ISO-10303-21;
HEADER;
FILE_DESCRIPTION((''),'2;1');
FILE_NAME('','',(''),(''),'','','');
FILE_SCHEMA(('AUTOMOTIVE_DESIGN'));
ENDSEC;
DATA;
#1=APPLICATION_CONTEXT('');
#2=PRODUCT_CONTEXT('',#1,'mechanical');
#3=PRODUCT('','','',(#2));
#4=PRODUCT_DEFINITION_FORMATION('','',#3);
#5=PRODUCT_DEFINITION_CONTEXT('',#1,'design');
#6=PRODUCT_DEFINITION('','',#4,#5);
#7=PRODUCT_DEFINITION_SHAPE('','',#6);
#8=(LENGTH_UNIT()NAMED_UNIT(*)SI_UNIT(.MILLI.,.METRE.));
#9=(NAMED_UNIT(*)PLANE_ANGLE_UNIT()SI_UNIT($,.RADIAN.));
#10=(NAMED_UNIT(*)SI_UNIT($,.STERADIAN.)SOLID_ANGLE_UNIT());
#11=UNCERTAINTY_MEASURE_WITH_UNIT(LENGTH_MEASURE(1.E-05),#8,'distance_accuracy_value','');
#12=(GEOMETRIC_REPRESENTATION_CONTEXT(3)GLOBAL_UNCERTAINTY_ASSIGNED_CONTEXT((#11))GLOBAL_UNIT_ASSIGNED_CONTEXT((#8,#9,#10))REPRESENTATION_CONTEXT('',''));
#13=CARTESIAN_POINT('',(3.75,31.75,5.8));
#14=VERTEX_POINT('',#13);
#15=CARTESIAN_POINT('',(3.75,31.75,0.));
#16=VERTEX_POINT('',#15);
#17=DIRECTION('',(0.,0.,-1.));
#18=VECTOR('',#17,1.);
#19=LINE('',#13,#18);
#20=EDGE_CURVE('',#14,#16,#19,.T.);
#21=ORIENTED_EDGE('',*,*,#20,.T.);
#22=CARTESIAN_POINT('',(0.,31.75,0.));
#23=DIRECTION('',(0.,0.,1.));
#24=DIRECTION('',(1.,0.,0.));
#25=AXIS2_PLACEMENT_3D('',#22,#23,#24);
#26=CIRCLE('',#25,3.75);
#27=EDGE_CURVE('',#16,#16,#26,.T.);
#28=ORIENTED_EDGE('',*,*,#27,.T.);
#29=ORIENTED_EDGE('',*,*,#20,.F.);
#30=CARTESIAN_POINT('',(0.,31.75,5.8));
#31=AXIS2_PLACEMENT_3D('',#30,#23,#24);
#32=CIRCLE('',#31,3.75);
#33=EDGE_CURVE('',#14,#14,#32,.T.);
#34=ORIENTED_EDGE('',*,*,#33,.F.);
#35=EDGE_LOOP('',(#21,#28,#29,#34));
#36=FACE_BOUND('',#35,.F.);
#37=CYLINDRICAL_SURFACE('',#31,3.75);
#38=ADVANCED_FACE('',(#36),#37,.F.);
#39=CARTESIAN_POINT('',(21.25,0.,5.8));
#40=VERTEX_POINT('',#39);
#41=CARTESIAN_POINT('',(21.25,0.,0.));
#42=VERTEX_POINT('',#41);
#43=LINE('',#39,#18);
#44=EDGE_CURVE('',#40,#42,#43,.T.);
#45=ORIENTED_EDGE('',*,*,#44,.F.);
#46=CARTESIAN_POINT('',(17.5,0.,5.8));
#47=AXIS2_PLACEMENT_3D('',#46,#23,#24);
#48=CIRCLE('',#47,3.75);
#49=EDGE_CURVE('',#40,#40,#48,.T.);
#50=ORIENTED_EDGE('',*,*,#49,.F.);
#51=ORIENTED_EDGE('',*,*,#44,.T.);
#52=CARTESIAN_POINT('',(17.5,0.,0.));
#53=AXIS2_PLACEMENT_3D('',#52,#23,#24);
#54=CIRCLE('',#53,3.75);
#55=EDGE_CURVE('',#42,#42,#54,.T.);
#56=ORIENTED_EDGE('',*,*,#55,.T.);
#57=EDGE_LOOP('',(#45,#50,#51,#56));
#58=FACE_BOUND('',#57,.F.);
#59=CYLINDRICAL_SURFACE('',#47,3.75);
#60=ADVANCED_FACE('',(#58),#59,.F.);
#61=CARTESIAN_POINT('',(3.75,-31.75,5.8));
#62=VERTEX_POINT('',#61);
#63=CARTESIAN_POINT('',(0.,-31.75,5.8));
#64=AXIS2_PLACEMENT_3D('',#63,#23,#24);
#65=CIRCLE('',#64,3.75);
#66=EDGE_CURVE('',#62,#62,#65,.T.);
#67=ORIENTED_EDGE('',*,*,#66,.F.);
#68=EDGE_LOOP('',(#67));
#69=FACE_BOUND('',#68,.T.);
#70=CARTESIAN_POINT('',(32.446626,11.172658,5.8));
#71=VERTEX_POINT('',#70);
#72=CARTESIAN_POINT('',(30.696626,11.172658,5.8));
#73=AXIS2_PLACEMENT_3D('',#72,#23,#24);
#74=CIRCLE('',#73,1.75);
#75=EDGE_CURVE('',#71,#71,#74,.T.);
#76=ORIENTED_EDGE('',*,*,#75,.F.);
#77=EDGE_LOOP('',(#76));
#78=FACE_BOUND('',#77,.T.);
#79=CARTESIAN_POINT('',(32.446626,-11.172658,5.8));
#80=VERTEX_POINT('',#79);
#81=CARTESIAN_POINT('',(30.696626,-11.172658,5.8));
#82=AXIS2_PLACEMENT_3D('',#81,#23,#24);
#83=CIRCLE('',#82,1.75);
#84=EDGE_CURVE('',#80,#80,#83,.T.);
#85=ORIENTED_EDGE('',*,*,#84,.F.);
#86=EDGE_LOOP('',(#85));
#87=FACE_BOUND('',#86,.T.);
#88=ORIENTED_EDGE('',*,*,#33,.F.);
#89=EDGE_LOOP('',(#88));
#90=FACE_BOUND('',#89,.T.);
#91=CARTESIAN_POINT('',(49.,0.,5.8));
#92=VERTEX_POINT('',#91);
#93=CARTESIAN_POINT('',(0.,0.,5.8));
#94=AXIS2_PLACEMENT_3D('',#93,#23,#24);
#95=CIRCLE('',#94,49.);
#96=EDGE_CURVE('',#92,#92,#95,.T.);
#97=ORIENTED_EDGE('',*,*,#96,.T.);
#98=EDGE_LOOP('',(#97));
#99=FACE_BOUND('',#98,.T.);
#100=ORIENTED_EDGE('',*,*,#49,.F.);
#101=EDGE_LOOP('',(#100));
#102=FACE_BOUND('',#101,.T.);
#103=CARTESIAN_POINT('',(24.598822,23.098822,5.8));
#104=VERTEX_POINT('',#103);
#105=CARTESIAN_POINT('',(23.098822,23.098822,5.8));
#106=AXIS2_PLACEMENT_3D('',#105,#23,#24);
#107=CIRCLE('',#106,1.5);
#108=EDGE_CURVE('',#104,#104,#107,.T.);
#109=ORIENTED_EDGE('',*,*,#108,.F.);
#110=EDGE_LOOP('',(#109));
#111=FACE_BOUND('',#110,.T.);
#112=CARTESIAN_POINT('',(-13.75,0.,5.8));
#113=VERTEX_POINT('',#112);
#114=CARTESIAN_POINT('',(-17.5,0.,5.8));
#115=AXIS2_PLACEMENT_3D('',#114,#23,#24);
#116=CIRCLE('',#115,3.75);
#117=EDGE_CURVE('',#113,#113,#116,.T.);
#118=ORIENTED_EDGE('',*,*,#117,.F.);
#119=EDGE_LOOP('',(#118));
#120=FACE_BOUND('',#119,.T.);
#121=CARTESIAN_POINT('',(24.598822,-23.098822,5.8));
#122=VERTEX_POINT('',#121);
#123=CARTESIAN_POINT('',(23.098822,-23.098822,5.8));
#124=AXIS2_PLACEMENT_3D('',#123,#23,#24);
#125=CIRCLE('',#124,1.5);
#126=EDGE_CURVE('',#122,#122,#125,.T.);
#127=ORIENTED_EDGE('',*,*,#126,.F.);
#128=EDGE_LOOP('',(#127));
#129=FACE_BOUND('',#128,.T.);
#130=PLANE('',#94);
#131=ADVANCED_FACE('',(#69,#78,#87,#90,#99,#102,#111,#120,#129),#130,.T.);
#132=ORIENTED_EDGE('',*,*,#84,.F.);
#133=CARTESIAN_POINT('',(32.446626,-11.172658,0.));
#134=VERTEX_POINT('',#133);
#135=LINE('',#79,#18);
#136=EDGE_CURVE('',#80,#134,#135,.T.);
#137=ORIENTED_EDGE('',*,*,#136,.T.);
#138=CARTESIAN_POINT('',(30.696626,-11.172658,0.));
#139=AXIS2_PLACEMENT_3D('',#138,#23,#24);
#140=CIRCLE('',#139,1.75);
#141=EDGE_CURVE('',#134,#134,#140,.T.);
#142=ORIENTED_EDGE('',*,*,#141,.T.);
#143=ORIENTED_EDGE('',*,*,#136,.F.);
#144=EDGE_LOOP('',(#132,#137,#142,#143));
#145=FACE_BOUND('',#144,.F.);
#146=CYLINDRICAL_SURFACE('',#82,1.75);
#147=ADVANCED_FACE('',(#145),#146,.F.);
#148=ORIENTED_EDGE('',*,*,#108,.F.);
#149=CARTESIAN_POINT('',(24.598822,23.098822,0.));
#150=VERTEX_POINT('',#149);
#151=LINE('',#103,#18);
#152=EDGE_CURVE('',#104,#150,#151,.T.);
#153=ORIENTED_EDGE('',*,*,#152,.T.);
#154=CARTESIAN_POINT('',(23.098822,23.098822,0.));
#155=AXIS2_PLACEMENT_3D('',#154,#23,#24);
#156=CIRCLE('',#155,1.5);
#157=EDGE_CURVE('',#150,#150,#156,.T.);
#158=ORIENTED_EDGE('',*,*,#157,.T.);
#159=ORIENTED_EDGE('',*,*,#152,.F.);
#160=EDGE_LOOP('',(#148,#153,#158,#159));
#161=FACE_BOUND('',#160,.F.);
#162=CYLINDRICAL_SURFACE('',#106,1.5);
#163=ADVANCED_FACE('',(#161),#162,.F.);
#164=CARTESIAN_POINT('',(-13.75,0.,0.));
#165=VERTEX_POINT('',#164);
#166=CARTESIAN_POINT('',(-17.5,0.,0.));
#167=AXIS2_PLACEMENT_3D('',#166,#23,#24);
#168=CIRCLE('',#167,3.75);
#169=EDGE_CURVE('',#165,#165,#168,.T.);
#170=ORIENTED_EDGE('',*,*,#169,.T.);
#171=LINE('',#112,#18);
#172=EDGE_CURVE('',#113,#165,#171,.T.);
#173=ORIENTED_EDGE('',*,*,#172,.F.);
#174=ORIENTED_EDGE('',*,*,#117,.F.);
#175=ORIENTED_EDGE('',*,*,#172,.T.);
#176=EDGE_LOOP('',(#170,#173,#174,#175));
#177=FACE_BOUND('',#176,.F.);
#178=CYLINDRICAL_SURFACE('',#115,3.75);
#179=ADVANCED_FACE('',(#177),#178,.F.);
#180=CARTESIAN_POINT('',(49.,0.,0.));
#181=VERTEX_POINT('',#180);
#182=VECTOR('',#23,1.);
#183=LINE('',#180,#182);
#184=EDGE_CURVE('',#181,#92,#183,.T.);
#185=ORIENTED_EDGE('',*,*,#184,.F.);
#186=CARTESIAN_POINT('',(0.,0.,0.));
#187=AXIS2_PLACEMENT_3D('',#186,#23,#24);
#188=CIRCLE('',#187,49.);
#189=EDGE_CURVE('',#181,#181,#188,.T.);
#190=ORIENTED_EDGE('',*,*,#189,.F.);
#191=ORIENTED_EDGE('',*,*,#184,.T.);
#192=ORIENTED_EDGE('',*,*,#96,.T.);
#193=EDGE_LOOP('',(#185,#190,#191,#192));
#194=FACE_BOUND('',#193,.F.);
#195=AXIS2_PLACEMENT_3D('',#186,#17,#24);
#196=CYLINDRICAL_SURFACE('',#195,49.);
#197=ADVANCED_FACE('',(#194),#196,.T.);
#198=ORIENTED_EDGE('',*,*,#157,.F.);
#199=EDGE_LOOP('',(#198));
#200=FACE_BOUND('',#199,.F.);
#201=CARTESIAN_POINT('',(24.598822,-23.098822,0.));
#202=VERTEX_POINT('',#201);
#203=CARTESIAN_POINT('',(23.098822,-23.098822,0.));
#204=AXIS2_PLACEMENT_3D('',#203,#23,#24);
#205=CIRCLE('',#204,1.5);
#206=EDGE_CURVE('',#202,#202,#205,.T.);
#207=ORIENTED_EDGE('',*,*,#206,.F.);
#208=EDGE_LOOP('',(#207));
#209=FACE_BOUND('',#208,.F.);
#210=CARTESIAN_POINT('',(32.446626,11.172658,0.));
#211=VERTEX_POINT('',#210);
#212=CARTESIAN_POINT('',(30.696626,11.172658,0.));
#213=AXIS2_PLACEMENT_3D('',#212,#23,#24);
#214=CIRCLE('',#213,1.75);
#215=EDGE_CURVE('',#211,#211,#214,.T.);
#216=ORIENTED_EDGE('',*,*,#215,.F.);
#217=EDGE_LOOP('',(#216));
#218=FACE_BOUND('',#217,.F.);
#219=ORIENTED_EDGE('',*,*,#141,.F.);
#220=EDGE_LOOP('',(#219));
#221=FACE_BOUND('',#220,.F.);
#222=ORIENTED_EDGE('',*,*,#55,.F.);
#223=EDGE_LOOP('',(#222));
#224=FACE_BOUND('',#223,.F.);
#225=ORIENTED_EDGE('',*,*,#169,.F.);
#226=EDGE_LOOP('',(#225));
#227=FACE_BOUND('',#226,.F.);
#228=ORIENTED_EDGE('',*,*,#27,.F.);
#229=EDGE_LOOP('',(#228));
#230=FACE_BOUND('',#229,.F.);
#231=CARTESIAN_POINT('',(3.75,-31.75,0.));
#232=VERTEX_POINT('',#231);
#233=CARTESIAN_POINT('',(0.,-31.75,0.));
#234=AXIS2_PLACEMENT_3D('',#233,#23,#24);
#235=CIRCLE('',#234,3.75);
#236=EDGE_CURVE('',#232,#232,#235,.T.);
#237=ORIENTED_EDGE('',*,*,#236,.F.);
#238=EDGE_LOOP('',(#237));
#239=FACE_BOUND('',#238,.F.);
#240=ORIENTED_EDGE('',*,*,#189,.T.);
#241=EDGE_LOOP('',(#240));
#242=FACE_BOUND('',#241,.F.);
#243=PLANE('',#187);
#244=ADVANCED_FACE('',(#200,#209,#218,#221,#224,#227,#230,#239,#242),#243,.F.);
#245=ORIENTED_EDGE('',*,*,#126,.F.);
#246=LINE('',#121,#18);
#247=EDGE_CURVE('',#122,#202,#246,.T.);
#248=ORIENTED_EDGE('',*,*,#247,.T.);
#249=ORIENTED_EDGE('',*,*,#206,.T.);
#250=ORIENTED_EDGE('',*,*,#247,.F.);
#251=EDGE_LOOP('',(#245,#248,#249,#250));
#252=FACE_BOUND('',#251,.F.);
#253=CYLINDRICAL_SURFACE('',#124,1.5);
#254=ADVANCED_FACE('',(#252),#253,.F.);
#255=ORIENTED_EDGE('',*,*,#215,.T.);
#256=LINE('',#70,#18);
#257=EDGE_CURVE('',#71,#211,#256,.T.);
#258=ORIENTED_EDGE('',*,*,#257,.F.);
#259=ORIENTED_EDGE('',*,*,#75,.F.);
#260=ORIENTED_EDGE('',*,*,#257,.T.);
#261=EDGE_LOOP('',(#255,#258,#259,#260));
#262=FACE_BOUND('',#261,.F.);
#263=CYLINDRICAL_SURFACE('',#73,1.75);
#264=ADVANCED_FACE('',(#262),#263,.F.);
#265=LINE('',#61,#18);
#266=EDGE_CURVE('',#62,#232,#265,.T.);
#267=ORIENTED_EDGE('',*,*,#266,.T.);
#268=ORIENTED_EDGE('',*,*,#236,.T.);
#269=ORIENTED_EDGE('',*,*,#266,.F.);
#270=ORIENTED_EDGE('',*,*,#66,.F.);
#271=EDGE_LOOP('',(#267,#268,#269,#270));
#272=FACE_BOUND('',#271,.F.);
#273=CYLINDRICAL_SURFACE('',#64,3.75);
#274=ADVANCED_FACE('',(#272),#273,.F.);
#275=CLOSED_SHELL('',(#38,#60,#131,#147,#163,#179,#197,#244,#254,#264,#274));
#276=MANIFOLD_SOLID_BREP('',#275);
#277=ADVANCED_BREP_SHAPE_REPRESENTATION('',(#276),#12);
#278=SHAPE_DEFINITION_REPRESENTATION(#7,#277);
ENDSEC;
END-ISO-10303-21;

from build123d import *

# Parameters (mm, degrees)
SKETCH_R      = 49
PAD_DEPTH     = 5.8
SKETCH001_R   = 3.75
SKETCH001_R_2 = 1.5
SKETCH001_R_3 = 1.75
POCKET_DEPTH  = 5.801


with BuildPart() as part:
    # Sketch → Pad (new body)
    with BuildSketch(Plane.XY):
        Circle(SKETCH_R)
    extrude(amount=PAD_DEPTH)

    # Sketch001 (on Face3 of Pad) → Pocket (cut, through all)
    with BuildSketch(Plane.XY.offset(5.8)):
        with Locations((0, 31.75)):
            Circle(SKETCH001_R)
        with Locations((0, -31.75)):
            Circle(SKETCH001_R)
        with Locations((-17.5, 0)):
            Circle(SKETCH001_R)
        with Locations((17.5, 0)):
            Circle(SKETCH001_R)
        with Locations((23.098822, 23.098822)):
            Circle(SKETCH001_R_2)
        with Locations((23.098822, -23.098822)):
            Circle(SKETCH001_R_2)
        with Locations((30.696626, 11.172658)):
            Circle(SKETCH001_R_3)
        with Locations((30.696626, -11.172658)):
            Circle(SKETCH001_R_3)
    extrude(amount=-POCKET_DEPTH, mode=Mode.SUBTRACT)


solid = part.part
